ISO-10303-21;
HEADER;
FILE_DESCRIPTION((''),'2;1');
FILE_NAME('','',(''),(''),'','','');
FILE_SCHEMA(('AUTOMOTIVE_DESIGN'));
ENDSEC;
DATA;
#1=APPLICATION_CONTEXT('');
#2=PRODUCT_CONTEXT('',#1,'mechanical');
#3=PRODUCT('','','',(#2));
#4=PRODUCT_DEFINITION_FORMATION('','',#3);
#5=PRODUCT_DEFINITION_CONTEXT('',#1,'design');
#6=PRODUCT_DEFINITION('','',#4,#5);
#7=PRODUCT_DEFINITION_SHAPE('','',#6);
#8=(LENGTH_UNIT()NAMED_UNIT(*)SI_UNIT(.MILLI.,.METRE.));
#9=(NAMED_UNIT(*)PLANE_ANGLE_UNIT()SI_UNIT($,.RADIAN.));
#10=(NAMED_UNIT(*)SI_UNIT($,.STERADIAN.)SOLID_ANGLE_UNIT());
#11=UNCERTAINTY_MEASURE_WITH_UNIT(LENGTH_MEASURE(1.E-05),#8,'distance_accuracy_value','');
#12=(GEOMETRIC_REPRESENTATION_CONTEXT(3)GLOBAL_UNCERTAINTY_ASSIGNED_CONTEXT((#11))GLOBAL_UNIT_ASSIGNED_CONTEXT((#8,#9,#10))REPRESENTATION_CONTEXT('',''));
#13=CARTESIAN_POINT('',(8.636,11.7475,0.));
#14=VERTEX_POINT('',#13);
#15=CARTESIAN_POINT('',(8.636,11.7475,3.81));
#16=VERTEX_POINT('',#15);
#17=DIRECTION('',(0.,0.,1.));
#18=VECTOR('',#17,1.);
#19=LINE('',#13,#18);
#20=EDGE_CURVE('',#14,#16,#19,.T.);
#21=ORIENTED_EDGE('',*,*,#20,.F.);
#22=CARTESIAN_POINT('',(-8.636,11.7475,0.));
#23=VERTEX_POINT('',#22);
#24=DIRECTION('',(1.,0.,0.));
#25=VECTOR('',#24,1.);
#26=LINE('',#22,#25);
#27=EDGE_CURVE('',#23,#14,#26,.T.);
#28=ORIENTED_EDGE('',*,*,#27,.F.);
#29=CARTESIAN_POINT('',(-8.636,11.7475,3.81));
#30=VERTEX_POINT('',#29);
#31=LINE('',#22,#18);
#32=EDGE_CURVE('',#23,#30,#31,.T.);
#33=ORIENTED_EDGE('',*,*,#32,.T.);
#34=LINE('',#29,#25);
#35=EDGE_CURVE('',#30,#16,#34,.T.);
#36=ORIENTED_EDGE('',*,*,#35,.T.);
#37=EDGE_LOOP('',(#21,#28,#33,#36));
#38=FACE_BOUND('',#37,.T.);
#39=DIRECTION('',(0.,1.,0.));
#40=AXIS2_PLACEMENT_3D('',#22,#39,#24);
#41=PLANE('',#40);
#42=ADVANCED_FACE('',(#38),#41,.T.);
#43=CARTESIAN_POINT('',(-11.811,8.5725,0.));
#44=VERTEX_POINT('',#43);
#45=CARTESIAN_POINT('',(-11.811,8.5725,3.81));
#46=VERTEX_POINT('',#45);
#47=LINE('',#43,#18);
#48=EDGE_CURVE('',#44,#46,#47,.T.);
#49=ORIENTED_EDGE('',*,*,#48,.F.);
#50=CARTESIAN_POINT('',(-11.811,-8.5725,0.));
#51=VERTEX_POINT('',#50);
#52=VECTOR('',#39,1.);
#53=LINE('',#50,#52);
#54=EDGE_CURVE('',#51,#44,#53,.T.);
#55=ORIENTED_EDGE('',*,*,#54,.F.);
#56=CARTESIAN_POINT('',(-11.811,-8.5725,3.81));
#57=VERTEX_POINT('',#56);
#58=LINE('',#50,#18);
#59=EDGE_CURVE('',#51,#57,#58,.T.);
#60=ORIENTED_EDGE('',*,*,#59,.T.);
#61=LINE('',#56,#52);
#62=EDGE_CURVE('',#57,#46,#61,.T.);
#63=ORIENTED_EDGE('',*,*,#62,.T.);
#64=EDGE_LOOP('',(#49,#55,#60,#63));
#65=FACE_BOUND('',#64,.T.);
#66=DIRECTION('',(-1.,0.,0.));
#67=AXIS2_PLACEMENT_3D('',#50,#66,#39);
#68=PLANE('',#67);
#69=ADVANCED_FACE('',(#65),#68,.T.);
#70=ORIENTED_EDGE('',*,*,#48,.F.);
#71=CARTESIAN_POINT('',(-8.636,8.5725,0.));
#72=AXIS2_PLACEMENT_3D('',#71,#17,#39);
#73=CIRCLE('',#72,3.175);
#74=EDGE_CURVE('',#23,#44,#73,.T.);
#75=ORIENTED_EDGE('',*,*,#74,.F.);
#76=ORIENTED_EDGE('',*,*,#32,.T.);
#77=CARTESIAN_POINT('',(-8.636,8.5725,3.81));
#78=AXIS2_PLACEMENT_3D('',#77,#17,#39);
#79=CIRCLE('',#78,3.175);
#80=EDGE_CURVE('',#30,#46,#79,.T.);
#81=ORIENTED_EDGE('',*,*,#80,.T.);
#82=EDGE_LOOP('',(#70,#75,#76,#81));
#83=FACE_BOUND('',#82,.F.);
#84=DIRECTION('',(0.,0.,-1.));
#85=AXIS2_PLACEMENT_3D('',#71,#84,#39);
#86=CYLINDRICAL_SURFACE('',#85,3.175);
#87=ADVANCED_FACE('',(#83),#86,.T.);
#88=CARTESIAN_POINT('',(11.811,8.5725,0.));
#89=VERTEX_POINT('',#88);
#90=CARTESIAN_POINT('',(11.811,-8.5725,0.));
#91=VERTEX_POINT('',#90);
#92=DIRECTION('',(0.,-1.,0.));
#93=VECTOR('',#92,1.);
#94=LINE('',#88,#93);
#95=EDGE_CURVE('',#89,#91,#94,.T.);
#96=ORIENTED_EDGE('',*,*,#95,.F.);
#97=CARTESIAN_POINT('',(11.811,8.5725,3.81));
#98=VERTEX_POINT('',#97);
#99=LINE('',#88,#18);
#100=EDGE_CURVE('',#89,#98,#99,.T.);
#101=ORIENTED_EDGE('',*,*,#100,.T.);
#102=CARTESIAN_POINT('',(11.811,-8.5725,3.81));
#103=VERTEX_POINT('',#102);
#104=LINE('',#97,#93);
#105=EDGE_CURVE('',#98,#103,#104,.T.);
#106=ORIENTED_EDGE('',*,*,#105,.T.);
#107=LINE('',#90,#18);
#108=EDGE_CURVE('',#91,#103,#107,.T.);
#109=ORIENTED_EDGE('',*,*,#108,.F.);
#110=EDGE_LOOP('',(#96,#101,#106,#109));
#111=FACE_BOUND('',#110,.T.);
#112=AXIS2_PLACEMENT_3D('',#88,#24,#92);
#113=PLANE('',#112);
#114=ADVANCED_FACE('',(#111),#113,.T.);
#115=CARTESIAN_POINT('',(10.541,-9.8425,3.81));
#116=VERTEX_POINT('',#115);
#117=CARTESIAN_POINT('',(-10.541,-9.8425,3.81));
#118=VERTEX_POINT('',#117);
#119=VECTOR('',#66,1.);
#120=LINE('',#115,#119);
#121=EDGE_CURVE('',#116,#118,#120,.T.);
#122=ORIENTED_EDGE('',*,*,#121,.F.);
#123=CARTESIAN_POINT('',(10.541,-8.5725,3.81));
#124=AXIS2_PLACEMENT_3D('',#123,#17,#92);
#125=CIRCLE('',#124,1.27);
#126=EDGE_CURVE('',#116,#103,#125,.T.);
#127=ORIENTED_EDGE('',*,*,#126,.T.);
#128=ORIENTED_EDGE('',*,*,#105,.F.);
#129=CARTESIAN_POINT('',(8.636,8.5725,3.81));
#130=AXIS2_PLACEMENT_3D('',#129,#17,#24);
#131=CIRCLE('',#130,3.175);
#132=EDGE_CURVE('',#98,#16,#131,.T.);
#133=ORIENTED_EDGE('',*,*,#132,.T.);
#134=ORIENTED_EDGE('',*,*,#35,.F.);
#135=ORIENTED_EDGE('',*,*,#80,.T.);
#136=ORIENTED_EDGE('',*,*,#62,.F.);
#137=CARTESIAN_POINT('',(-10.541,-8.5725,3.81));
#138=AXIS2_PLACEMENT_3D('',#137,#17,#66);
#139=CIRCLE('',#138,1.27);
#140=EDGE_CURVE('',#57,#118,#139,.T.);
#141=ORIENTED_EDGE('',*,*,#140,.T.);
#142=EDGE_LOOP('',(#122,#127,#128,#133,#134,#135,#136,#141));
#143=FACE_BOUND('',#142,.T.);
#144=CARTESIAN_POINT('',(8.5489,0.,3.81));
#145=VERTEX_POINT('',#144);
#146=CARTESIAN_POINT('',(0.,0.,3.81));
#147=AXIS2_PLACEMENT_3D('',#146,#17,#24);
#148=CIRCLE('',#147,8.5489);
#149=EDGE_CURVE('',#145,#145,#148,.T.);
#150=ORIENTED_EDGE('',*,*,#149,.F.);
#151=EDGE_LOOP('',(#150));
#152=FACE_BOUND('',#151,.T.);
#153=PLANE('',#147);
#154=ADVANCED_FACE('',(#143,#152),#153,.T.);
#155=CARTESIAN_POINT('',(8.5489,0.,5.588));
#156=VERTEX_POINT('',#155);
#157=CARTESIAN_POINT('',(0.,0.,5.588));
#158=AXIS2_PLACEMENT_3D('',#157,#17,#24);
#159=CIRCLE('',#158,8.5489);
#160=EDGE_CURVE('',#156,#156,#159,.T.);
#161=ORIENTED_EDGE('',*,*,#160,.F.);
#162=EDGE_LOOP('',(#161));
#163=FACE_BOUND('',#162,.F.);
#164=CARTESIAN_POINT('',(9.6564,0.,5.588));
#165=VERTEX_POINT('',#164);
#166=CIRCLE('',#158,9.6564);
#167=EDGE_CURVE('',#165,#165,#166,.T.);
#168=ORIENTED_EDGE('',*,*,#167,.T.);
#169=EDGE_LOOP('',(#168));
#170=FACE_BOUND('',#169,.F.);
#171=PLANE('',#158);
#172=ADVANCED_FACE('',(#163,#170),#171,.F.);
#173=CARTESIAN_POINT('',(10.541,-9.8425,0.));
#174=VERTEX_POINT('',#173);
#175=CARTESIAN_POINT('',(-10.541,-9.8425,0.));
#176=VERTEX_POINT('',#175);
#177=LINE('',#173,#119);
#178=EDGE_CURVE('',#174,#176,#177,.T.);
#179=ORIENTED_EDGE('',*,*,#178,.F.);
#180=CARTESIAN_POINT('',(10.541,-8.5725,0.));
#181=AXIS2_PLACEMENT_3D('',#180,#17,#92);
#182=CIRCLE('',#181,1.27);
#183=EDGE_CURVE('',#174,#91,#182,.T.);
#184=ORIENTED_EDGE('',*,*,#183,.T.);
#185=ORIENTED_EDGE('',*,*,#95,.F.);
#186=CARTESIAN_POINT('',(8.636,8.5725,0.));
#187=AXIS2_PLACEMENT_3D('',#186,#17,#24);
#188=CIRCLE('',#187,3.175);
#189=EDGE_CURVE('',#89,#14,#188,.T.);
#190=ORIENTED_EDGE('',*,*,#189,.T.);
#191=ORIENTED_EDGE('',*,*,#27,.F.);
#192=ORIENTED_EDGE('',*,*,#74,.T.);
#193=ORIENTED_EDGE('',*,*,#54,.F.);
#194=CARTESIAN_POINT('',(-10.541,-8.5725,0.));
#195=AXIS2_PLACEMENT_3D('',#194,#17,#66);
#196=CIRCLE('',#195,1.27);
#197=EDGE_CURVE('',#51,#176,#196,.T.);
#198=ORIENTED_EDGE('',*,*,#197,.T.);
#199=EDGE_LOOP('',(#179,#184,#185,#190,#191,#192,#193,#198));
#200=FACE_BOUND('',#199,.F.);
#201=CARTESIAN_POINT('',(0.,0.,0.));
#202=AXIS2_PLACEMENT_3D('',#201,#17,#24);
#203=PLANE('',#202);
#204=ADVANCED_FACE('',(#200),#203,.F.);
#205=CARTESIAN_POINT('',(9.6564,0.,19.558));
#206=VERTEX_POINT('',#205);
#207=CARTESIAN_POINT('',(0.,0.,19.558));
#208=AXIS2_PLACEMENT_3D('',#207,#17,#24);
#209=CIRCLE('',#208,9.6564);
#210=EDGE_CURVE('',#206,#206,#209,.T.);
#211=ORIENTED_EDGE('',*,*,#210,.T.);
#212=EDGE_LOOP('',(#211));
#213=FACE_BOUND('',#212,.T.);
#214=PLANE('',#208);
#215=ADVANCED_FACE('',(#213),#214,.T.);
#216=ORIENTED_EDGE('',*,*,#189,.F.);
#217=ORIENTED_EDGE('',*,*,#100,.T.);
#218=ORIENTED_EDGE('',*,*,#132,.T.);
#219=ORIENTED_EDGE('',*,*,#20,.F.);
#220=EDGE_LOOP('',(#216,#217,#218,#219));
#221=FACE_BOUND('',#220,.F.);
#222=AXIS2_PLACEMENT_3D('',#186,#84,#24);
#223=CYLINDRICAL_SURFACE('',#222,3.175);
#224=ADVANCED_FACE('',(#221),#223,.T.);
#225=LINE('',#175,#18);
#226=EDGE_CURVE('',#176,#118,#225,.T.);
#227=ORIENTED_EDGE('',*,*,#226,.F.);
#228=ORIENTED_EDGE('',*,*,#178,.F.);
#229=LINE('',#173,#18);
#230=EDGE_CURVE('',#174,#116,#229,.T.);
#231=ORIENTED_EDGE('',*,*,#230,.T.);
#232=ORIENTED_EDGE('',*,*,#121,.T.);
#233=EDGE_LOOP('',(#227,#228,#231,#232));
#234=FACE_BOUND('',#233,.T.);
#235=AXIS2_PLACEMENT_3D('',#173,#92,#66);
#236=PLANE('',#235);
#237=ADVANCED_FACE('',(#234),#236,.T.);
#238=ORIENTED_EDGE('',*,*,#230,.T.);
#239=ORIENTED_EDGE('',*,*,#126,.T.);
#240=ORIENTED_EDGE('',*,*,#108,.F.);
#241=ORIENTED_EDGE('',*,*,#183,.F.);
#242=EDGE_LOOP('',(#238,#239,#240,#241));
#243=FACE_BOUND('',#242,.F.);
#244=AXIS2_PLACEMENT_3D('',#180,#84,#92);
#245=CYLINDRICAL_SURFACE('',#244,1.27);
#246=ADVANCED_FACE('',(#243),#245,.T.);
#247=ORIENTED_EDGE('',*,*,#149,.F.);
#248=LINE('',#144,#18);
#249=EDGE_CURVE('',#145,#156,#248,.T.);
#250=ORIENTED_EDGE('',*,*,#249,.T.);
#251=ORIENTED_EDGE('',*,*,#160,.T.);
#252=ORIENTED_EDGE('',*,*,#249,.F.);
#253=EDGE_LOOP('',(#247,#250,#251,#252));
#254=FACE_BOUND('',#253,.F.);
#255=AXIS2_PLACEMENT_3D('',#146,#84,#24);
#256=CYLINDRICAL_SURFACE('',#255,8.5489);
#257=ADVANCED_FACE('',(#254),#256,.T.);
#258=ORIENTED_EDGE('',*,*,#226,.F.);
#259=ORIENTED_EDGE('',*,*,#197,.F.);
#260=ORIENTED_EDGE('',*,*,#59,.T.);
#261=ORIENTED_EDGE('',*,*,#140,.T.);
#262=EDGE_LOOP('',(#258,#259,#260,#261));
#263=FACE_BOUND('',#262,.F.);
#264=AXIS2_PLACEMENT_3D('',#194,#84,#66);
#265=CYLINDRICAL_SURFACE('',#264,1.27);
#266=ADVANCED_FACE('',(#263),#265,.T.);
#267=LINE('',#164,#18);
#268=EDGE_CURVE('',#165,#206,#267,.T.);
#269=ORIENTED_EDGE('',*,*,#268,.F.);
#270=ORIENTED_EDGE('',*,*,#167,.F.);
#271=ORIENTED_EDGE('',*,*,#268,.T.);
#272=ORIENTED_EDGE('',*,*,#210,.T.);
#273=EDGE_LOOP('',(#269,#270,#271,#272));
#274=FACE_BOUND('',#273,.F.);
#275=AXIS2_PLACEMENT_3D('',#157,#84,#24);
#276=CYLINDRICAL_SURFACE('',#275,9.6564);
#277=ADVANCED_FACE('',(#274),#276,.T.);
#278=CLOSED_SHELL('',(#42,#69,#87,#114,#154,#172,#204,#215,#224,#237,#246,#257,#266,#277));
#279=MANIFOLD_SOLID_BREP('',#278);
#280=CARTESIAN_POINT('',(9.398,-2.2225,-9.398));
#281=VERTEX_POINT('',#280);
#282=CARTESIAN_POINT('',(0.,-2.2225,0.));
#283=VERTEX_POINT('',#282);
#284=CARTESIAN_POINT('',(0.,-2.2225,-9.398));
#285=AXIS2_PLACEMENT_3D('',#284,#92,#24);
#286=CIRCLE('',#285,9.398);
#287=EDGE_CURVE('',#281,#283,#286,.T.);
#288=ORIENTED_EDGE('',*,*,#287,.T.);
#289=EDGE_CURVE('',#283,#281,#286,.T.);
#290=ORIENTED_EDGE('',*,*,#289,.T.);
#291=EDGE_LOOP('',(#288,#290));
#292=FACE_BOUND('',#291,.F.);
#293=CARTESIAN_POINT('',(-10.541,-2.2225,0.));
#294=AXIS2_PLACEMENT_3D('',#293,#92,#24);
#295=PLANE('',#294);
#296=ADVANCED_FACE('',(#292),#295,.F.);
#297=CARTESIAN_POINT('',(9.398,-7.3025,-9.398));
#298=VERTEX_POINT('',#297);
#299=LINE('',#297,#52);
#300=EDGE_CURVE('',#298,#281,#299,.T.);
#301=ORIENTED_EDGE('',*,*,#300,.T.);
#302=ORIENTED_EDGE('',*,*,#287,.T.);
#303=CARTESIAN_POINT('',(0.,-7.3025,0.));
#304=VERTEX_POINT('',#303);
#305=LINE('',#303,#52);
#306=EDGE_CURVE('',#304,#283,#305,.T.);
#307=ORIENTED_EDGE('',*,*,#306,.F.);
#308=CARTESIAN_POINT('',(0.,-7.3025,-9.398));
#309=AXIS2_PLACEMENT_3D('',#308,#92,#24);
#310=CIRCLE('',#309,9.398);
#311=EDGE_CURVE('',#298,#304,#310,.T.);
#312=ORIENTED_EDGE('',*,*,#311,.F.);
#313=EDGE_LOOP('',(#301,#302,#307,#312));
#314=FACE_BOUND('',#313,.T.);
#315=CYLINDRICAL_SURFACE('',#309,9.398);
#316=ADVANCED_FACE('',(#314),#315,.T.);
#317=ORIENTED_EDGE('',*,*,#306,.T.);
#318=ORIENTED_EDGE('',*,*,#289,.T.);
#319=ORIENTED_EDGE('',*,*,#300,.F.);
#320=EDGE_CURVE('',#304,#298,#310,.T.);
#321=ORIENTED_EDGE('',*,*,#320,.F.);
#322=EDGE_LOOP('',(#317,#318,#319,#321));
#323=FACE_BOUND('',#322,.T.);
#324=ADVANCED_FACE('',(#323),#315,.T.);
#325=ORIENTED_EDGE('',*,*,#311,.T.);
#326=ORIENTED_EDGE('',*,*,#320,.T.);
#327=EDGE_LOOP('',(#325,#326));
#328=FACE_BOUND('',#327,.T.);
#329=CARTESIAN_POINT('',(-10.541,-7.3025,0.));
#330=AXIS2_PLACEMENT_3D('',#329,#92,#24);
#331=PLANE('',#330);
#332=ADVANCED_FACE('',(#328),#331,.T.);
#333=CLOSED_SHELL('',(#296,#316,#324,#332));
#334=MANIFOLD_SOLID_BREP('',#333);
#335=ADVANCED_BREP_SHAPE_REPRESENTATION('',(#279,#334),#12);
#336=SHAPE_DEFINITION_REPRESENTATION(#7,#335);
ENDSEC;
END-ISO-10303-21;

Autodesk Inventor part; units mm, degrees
ref_plane "YZ Plane" through (0, 0, 0) normal (1, 0, 0) x (0, 1, 0)
ref_plane "XZ Plane" through (0, 0, 0) normal (0, 1, 0) x (-1, 0, 0)
ref_plane "XY Plane" through (0, 0, 0) normal (0, 0, 1) x (1, 0, 0)
sketch "Sketch1" plane through (0, 0, 0) normal (0, 0, 1) x (1, 0, 0)
  line L0 (-8.636, 11.7475) -> (8.636, 11.7475)
  line L1 (11.811, 8.5725) -> (11.811, -8.5725)
  line L2 (10.541, -9.8425) -> (-10.541, -9.8425)
  line L3 (-11.811, -8.5725) -> (-11.811, 8.5725)
  arc A0 (-8.636, 11.7475) -> (-11.811, 8.5725) centre (-8.636, 8.5725) ccw
  arc A1 (11.811, 8.5725) -> (8.636, 11.7475) centre (8.636, 8.5725) ccw
  arc A2 (-11.811, -8.5725) -> (-10.541, -9.8425) centre (-10.541, -8.5725) ccw
  arc A3 (10.541, -9.8425) -> (11.811, -8.5725) centre (10.541, -8.5725) ccw
  arc A4 (-11.811, -8.5725) -> (-10.541, -9.8425) centre (-10.541, -8.5725) ccw
  point P0 (0, 0)
  point P1 (0, 11.7475)
  point P2 (11.811, 0)
  dimension "d0" = 23.622
  dimension "d1" = 21.59
  dimension "d2" = 3.175
  dimension "d3" = 1.27
  dimension "d4" = 1.27
extrude "Extrusion1" add sketch "Sketch1" along normal blind 3.81
ref_plane "Work Plane1" through (-10.541, -7.3025, 0) normal (0, -1, 0) x (1, 0, 0)
sketch "Sketch2" plane through (-10.541, -7.3025, 0) normal (0, -1, 0) x (1, 0, 0)
  circle A0 centre (10.541, -9.398) radius 9.398
  line L0 (0, 0) -> (21.082, 0) projected
  point P0 (10.541, 0)
  point P1 (10.541, 0)
  dimension "d8" = 18.796
extrude "Extrusion2" add sketch "Sketch2" against normal blind 5.08
sketch "Sketch3" plane through (0, 0, 3.81) normal (0, 0, 1) x (1, 0, 0)
  circle A0 centre (0, 0) radius 8.5489
extrude "Extrusion3" add sketch "Sketch3" along normal blind 1.778
sketch "Sketch4" plane through (0, 0, 5.588) normal (0, 0, 1) x (1, 0, 0)
  circle A0 centre (0, 0) radius 9.6564
extrude "Extrusion4" add sketch "Sketch4" along normal blind 13.97
properties part number "Light Circuit"
